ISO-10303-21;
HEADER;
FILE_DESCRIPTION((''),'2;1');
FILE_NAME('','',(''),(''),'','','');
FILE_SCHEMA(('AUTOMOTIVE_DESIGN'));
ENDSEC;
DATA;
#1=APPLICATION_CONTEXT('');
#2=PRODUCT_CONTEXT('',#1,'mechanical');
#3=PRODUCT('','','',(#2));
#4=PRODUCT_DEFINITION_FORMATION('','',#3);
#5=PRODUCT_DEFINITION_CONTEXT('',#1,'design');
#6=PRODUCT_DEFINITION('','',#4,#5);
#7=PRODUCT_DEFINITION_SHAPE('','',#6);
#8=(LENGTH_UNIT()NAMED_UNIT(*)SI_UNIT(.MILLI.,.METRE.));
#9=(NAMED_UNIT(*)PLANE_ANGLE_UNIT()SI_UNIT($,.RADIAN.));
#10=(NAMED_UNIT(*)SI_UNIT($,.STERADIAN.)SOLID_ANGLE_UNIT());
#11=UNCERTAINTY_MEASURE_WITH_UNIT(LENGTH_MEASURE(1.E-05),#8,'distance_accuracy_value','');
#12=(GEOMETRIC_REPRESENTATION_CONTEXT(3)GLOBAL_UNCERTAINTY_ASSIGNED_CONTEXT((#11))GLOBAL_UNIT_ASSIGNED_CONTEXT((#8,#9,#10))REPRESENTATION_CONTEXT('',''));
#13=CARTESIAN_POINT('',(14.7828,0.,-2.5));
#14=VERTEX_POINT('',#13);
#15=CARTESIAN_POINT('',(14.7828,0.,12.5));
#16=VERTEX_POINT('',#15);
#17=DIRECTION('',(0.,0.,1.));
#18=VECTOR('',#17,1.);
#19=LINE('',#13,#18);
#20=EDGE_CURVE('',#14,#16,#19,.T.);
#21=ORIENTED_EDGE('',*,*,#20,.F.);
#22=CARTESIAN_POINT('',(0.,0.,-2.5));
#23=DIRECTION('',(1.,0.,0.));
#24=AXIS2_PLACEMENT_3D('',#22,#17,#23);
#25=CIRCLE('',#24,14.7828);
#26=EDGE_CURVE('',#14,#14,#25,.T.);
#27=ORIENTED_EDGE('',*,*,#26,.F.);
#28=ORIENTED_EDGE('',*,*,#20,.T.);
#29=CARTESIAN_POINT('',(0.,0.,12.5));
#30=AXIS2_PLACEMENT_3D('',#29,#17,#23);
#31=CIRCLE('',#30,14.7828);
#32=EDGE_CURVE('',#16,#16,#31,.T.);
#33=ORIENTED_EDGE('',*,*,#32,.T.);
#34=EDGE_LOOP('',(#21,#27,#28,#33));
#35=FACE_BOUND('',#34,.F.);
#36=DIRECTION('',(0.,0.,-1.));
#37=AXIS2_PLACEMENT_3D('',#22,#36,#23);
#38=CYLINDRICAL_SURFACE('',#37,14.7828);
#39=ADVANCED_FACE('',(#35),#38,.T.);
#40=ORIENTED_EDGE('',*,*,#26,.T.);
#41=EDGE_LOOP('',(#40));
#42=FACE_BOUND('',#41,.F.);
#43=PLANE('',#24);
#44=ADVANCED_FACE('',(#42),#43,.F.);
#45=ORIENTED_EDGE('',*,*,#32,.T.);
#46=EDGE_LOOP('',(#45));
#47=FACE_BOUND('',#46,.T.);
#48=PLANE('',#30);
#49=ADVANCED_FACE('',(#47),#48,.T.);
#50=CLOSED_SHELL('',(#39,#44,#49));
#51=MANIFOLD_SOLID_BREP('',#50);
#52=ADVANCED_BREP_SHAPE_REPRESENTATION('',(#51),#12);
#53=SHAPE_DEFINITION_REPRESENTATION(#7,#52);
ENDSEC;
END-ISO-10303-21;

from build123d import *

# Parameters (mm, degrees)
CYLINDER_R     = 14.7828
CYLINDER_DEPTH = 15


with BuildPart() as part:
    # Cylinder → Cylinder (new body)
    with BuildSketch(Plane.XY.offset(-2.5)):
        Circle(CYLINDER_R)
    extrude(amount=CYLINDER_DEPTH)


solid = part.part
